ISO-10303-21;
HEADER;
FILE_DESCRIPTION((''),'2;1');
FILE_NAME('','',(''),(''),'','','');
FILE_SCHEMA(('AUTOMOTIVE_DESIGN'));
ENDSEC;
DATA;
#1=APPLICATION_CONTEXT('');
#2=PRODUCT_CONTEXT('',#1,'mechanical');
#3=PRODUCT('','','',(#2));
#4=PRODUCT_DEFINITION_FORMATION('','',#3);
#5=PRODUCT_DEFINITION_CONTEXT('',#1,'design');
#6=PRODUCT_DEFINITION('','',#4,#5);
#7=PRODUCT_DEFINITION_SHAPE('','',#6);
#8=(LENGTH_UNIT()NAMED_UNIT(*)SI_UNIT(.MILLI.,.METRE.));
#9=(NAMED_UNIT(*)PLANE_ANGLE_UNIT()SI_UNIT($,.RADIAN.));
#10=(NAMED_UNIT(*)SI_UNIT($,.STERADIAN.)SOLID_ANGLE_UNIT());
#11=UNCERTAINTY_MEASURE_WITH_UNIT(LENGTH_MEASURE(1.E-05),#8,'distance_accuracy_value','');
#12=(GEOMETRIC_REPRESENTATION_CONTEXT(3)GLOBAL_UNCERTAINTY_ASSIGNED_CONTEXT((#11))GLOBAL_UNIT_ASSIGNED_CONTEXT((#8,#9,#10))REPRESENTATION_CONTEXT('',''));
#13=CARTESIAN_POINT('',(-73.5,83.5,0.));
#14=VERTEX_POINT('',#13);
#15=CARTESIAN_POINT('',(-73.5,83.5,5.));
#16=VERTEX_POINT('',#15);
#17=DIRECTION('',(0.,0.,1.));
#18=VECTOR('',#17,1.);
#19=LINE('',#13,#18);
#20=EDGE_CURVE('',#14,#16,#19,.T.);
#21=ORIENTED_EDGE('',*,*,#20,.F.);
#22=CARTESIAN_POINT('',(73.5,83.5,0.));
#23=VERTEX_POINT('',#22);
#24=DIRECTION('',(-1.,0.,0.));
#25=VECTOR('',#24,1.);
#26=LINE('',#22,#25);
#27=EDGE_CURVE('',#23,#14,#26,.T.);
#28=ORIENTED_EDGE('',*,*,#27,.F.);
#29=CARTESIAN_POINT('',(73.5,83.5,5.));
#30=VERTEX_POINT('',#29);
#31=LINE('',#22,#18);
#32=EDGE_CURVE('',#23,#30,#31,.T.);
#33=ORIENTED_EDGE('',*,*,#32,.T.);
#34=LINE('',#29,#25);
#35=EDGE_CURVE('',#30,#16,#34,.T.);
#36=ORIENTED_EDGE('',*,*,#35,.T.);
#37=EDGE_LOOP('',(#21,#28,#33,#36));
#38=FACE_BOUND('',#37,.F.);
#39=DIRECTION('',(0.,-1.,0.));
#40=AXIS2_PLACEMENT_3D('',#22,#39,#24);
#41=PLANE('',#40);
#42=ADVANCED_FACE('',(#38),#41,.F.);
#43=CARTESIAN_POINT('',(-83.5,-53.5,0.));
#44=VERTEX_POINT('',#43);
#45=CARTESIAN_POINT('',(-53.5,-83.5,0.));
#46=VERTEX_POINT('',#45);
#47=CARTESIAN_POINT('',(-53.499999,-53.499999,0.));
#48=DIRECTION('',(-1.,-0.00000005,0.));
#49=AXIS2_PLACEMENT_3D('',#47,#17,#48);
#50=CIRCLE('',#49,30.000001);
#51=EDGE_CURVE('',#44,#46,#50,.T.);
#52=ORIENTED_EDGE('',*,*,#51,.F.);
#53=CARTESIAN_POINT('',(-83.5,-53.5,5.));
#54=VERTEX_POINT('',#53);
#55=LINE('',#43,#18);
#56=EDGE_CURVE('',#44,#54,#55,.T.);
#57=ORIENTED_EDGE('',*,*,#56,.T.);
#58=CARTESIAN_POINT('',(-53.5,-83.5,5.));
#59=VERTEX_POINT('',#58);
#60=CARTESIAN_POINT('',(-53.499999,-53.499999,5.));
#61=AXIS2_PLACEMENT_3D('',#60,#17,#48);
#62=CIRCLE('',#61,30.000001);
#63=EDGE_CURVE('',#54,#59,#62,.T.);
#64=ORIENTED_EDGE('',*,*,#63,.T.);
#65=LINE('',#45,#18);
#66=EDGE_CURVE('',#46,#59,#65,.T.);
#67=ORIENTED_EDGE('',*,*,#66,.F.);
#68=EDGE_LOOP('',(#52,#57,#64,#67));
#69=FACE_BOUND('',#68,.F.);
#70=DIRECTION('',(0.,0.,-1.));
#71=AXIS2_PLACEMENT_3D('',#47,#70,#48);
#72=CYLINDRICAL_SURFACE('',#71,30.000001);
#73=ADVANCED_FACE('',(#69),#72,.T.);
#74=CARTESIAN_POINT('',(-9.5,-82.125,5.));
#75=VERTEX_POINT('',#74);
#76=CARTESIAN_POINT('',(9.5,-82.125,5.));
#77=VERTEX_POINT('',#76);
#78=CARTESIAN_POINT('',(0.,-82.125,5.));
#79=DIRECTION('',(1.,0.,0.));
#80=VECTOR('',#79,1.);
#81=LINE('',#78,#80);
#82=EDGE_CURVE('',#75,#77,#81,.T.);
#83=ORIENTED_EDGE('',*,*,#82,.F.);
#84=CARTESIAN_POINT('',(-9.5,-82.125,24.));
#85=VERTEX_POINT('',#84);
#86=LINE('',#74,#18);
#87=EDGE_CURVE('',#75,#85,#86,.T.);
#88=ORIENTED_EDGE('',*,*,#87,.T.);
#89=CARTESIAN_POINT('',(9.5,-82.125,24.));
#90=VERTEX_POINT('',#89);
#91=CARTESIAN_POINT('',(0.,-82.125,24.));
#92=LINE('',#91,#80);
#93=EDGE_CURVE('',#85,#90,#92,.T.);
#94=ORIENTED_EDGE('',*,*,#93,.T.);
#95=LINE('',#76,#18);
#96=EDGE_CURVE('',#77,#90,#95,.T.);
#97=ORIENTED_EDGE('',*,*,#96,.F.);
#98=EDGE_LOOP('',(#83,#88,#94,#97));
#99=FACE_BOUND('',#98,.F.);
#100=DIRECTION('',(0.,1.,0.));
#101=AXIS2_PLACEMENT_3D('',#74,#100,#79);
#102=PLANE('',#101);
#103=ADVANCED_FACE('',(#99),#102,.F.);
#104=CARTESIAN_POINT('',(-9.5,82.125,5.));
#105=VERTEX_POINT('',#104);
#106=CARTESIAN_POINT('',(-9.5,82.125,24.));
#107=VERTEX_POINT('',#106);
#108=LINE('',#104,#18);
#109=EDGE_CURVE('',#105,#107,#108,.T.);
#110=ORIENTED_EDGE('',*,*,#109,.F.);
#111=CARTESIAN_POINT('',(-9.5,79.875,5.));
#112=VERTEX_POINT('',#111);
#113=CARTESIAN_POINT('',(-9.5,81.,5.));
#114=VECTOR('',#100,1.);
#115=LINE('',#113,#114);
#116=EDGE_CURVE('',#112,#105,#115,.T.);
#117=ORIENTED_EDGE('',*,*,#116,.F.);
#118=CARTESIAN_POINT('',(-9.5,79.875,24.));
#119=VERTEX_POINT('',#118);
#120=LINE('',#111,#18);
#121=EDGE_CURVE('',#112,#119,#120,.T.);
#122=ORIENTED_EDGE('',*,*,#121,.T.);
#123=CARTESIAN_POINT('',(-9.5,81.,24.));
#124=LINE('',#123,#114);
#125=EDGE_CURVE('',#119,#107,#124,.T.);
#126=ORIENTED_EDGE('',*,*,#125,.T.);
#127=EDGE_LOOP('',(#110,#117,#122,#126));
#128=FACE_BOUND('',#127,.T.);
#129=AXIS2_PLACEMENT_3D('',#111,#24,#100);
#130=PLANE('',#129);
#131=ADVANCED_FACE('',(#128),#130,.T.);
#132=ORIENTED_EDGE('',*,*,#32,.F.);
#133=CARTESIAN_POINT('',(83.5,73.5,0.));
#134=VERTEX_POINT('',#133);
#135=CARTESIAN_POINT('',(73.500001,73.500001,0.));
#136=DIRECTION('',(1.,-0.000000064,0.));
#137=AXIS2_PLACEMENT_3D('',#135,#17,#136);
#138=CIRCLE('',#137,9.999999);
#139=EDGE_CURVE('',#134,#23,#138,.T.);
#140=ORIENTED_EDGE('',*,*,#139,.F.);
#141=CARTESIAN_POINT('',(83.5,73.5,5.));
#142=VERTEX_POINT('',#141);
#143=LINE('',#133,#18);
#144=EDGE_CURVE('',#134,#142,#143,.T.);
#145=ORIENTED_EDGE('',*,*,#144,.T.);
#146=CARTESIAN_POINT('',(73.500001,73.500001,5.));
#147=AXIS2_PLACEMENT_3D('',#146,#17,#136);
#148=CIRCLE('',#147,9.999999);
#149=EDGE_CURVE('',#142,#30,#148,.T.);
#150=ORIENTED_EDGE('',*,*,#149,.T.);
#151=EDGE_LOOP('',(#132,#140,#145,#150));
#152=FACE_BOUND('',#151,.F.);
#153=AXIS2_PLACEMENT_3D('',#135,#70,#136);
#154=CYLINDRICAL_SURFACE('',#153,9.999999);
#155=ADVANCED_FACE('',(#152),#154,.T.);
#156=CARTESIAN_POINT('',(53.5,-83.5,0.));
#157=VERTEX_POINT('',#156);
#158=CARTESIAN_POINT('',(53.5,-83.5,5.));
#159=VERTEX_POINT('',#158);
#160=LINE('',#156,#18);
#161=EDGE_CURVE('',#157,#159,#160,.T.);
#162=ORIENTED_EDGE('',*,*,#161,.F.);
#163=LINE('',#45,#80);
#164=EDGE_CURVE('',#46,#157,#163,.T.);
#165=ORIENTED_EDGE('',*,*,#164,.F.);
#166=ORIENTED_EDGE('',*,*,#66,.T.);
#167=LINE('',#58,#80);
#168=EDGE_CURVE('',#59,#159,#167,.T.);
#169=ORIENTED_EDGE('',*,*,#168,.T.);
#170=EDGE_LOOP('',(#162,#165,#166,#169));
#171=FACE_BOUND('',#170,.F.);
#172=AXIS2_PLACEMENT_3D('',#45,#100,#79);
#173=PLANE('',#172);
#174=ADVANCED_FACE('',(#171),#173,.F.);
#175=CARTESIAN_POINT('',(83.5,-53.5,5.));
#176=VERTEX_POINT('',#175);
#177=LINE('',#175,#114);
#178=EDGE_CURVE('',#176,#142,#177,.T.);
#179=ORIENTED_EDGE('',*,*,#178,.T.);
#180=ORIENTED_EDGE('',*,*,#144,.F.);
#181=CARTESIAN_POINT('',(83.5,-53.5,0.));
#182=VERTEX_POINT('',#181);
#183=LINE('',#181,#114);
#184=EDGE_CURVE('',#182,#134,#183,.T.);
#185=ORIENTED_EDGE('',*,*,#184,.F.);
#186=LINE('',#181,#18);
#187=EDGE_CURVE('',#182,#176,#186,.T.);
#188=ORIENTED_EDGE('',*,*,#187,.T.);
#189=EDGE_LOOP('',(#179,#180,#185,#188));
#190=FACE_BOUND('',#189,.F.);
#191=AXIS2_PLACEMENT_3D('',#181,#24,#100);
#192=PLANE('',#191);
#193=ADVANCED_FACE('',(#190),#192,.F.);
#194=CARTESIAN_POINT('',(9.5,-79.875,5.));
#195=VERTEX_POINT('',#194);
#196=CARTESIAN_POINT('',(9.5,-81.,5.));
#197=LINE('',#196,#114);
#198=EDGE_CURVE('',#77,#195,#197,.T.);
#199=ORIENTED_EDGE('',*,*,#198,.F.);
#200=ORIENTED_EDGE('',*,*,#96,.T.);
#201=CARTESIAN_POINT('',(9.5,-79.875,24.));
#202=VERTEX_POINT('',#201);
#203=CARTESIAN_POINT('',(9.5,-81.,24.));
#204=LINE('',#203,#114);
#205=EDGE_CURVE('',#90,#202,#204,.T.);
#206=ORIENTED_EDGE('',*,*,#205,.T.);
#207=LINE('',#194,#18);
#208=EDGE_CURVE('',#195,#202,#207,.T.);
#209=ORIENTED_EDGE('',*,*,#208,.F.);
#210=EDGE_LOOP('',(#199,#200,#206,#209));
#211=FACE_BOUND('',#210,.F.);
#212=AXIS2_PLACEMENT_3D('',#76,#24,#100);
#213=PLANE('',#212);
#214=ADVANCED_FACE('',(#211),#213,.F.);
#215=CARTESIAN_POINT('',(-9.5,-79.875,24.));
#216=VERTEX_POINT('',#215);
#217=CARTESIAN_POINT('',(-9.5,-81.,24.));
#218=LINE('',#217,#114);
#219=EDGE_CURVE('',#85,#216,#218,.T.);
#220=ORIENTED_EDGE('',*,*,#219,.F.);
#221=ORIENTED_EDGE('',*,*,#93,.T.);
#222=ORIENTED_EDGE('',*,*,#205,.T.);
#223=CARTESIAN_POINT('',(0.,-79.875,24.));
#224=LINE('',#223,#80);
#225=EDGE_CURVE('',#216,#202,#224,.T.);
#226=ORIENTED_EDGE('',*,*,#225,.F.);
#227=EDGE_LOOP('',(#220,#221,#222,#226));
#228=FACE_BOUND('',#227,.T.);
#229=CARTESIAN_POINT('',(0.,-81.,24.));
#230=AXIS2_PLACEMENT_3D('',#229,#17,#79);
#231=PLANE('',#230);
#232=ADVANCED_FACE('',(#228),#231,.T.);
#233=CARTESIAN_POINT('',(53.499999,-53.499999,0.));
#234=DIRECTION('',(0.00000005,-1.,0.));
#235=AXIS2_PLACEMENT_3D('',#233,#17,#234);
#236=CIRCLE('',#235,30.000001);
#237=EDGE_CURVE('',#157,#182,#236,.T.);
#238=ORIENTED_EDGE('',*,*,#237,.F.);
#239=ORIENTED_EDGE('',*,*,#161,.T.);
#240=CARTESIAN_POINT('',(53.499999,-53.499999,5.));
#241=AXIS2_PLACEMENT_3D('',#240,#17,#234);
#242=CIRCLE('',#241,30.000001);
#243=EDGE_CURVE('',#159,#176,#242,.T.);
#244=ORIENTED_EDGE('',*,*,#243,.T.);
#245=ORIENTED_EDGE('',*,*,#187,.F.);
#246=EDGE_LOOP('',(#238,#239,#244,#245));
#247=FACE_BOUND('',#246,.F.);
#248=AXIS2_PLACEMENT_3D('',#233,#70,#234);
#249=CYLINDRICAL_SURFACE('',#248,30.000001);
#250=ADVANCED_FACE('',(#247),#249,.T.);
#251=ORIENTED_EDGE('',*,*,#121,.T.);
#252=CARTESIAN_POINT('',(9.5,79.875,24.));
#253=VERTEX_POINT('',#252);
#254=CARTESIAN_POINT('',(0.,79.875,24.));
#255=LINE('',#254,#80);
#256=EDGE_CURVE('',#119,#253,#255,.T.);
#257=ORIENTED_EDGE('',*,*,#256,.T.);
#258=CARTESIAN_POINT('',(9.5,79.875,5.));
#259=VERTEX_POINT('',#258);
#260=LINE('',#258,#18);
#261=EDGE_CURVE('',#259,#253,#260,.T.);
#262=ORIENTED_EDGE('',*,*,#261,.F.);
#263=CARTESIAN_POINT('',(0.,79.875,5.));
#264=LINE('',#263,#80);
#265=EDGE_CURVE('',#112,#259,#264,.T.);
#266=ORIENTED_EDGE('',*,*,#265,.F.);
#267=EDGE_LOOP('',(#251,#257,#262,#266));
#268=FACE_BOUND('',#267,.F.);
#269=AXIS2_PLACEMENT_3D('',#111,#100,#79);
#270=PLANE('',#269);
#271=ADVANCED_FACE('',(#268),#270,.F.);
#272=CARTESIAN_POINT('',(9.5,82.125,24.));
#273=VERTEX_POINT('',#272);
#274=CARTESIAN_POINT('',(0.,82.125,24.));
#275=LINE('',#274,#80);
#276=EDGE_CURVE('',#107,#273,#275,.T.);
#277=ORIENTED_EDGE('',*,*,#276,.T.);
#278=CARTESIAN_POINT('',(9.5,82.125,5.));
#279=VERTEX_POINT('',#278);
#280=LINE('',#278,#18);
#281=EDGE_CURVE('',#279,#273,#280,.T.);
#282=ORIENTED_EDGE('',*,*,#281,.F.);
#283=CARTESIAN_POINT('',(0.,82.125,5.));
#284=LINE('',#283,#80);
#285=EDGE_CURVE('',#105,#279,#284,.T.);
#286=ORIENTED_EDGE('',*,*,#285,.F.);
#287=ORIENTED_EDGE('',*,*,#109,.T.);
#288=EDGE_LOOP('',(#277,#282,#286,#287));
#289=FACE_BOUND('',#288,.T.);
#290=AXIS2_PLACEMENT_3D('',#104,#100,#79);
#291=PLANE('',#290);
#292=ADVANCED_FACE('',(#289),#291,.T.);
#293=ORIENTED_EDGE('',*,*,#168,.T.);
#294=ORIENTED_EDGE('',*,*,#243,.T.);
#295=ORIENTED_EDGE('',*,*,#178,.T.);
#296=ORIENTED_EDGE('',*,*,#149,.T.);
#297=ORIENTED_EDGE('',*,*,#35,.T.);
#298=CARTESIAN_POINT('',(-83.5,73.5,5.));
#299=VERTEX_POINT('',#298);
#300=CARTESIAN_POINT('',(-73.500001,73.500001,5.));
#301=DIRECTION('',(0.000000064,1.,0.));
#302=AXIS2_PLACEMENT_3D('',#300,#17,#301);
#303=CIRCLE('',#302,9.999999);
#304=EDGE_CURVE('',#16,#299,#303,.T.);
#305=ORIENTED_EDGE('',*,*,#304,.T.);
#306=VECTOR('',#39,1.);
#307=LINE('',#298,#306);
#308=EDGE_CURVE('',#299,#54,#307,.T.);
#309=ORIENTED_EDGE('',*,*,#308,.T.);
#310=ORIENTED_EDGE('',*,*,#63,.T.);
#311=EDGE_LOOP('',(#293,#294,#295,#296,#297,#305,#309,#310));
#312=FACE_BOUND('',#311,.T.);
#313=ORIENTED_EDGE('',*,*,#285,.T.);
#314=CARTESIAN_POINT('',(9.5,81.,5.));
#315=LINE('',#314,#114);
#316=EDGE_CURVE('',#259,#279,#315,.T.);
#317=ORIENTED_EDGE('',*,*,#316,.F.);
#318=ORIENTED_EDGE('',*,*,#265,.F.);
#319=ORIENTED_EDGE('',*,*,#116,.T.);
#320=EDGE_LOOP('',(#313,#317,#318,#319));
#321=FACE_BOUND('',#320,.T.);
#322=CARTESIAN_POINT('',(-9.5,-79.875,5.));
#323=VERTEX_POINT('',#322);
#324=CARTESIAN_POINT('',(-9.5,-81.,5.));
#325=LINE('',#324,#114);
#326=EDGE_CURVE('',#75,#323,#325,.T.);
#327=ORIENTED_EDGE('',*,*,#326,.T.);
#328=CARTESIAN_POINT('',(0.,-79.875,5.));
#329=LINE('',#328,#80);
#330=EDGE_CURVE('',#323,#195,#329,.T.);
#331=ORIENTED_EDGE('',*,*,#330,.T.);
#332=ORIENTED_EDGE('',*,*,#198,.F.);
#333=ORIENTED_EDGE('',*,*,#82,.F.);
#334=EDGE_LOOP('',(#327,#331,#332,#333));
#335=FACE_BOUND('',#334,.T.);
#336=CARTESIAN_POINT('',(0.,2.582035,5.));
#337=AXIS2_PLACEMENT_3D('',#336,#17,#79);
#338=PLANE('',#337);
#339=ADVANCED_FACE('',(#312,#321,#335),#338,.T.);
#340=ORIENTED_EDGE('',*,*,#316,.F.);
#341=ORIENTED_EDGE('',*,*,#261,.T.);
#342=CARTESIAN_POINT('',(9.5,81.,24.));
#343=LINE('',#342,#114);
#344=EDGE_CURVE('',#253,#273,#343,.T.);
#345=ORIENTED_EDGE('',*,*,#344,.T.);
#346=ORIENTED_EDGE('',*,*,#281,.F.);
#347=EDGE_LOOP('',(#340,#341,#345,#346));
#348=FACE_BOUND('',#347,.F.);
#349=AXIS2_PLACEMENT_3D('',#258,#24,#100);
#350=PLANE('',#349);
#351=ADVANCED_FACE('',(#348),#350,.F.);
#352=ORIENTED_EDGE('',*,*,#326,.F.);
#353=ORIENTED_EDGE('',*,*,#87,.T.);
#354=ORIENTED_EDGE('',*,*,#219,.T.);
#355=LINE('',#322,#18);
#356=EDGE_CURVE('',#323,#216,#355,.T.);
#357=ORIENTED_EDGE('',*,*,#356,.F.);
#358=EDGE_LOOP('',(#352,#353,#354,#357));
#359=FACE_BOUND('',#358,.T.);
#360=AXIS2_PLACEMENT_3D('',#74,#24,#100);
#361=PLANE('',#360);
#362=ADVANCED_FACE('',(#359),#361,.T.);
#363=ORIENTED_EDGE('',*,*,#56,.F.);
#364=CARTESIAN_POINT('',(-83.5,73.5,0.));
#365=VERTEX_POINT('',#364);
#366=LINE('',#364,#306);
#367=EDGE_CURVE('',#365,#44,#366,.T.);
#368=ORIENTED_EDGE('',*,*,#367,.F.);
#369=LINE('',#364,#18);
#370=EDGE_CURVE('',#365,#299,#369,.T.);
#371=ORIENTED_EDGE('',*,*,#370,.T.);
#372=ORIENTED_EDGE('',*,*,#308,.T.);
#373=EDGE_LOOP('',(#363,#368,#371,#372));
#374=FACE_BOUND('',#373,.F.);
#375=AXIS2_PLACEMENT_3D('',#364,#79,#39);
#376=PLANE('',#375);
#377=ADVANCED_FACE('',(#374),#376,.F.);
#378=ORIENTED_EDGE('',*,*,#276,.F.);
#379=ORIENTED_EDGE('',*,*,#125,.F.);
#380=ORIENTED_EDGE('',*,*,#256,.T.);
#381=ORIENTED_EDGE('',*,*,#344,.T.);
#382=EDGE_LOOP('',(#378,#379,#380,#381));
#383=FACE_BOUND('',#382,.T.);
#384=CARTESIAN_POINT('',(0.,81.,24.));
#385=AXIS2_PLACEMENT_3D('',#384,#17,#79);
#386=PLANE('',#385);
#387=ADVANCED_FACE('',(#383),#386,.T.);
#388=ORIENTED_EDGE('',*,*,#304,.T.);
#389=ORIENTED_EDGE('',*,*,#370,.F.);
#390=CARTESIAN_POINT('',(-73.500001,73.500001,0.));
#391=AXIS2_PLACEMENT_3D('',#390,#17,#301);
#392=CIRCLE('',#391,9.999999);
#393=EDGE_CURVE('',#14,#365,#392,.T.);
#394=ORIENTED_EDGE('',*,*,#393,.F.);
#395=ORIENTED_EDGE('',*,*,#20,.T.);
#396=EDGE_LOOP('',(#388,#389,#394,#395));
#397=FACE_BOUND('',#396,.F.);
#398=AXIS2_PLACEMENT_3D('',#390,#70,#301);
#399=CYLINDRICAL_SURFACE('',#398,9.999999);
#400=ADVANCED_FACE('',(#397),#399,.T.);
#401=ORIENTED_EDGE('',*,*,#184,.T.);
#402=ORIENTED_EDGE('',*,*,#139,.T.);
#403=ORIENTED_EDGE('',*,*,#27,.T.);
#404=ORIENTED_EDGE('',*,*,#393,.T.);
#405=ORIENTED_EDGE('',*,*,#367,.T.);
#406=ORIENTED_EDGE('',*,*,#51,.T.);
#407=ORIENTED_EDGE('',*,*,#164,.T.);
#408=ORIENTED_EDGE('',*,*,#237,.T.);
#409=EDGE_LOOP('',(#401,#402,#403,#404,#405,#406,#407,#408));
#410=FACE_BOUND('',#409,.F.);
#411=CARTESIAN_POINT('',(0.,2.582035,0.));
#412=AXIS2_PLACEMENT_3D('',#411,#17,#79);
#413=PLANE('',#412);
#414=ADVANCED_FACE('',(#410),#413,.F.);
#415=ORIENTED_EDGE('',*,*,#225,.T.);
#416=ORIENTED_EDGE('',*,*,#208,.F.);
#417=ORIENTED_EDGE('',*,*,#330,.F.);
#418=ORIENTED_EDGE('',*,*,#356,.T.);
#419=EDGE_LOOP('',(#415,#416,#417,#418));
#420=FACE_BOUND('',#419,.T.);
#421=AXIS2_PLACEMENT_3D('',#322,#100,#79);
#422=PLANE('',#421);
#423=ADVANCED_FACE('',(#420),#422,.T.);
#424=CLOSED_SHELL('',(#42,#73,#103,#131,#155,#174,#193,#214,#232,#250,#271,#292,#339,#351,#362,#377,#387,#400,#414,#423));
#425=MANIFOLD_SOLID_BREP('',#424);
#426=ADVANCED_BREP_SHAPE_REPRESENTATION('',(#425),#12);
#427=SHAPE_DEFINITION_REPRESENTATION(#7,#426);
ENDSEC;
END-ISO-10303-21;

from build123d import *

# Parameters (mm, degrees)
F1_DEPTH = 5
F2_W     = 19
F2_H     = 2.25
F3_DEPTH = 19
F4_W     = 19
F4_H     = 2.25
F5_DEPTH = 19


with BuildPart() as f1:
    # F0 (on Top) → F1 (new body)
    with BuildSketch(Plane.XY):
        with BuildLine():
            Line((-53.5, -83.5), (53.5, -83.5))
            ThreePointArc((53.5, -83.5), (74.713203, -74.713203), (83.5, -53.5))
            Line((83.5, -53.5), (83.5, 73.5))
            ThreePointArc((83.5, 73.5), (80.571068, 80.571068), (73.5, 83.5))
            Line((73.5, 83.5), (-73.5, 83.5))
            ThreePointArc((-73.5, 83.5), (-80.571068, 80.571068), (-83.5, 73.5))
            Line((-83.5, 73.5), (-83.5, -53.5))
            ThreePointArc((-83.5, -53.5), (-74.713203, -74.713203), (-53.5, -83.5))
        make_face()
    extrude(amount=F1_DEPTH)

    # F2 (on face) → F3 (join)
    with BuildSketch(Plane.XY.offset(5)):
        with Locations((0, -81)):
            Rectangle(F2_W, F2_H)
    extrude(amount=F3_DEPTH)

    # F4 (on face) → F5 (join)
    with BuildSketch(Plane.XY.offset(5)):
        with Locations((0, 81)):
            Rectangle(F4_W, F4_H)
    extrude(amount=F5_DEPTH)


solid = f1.part
